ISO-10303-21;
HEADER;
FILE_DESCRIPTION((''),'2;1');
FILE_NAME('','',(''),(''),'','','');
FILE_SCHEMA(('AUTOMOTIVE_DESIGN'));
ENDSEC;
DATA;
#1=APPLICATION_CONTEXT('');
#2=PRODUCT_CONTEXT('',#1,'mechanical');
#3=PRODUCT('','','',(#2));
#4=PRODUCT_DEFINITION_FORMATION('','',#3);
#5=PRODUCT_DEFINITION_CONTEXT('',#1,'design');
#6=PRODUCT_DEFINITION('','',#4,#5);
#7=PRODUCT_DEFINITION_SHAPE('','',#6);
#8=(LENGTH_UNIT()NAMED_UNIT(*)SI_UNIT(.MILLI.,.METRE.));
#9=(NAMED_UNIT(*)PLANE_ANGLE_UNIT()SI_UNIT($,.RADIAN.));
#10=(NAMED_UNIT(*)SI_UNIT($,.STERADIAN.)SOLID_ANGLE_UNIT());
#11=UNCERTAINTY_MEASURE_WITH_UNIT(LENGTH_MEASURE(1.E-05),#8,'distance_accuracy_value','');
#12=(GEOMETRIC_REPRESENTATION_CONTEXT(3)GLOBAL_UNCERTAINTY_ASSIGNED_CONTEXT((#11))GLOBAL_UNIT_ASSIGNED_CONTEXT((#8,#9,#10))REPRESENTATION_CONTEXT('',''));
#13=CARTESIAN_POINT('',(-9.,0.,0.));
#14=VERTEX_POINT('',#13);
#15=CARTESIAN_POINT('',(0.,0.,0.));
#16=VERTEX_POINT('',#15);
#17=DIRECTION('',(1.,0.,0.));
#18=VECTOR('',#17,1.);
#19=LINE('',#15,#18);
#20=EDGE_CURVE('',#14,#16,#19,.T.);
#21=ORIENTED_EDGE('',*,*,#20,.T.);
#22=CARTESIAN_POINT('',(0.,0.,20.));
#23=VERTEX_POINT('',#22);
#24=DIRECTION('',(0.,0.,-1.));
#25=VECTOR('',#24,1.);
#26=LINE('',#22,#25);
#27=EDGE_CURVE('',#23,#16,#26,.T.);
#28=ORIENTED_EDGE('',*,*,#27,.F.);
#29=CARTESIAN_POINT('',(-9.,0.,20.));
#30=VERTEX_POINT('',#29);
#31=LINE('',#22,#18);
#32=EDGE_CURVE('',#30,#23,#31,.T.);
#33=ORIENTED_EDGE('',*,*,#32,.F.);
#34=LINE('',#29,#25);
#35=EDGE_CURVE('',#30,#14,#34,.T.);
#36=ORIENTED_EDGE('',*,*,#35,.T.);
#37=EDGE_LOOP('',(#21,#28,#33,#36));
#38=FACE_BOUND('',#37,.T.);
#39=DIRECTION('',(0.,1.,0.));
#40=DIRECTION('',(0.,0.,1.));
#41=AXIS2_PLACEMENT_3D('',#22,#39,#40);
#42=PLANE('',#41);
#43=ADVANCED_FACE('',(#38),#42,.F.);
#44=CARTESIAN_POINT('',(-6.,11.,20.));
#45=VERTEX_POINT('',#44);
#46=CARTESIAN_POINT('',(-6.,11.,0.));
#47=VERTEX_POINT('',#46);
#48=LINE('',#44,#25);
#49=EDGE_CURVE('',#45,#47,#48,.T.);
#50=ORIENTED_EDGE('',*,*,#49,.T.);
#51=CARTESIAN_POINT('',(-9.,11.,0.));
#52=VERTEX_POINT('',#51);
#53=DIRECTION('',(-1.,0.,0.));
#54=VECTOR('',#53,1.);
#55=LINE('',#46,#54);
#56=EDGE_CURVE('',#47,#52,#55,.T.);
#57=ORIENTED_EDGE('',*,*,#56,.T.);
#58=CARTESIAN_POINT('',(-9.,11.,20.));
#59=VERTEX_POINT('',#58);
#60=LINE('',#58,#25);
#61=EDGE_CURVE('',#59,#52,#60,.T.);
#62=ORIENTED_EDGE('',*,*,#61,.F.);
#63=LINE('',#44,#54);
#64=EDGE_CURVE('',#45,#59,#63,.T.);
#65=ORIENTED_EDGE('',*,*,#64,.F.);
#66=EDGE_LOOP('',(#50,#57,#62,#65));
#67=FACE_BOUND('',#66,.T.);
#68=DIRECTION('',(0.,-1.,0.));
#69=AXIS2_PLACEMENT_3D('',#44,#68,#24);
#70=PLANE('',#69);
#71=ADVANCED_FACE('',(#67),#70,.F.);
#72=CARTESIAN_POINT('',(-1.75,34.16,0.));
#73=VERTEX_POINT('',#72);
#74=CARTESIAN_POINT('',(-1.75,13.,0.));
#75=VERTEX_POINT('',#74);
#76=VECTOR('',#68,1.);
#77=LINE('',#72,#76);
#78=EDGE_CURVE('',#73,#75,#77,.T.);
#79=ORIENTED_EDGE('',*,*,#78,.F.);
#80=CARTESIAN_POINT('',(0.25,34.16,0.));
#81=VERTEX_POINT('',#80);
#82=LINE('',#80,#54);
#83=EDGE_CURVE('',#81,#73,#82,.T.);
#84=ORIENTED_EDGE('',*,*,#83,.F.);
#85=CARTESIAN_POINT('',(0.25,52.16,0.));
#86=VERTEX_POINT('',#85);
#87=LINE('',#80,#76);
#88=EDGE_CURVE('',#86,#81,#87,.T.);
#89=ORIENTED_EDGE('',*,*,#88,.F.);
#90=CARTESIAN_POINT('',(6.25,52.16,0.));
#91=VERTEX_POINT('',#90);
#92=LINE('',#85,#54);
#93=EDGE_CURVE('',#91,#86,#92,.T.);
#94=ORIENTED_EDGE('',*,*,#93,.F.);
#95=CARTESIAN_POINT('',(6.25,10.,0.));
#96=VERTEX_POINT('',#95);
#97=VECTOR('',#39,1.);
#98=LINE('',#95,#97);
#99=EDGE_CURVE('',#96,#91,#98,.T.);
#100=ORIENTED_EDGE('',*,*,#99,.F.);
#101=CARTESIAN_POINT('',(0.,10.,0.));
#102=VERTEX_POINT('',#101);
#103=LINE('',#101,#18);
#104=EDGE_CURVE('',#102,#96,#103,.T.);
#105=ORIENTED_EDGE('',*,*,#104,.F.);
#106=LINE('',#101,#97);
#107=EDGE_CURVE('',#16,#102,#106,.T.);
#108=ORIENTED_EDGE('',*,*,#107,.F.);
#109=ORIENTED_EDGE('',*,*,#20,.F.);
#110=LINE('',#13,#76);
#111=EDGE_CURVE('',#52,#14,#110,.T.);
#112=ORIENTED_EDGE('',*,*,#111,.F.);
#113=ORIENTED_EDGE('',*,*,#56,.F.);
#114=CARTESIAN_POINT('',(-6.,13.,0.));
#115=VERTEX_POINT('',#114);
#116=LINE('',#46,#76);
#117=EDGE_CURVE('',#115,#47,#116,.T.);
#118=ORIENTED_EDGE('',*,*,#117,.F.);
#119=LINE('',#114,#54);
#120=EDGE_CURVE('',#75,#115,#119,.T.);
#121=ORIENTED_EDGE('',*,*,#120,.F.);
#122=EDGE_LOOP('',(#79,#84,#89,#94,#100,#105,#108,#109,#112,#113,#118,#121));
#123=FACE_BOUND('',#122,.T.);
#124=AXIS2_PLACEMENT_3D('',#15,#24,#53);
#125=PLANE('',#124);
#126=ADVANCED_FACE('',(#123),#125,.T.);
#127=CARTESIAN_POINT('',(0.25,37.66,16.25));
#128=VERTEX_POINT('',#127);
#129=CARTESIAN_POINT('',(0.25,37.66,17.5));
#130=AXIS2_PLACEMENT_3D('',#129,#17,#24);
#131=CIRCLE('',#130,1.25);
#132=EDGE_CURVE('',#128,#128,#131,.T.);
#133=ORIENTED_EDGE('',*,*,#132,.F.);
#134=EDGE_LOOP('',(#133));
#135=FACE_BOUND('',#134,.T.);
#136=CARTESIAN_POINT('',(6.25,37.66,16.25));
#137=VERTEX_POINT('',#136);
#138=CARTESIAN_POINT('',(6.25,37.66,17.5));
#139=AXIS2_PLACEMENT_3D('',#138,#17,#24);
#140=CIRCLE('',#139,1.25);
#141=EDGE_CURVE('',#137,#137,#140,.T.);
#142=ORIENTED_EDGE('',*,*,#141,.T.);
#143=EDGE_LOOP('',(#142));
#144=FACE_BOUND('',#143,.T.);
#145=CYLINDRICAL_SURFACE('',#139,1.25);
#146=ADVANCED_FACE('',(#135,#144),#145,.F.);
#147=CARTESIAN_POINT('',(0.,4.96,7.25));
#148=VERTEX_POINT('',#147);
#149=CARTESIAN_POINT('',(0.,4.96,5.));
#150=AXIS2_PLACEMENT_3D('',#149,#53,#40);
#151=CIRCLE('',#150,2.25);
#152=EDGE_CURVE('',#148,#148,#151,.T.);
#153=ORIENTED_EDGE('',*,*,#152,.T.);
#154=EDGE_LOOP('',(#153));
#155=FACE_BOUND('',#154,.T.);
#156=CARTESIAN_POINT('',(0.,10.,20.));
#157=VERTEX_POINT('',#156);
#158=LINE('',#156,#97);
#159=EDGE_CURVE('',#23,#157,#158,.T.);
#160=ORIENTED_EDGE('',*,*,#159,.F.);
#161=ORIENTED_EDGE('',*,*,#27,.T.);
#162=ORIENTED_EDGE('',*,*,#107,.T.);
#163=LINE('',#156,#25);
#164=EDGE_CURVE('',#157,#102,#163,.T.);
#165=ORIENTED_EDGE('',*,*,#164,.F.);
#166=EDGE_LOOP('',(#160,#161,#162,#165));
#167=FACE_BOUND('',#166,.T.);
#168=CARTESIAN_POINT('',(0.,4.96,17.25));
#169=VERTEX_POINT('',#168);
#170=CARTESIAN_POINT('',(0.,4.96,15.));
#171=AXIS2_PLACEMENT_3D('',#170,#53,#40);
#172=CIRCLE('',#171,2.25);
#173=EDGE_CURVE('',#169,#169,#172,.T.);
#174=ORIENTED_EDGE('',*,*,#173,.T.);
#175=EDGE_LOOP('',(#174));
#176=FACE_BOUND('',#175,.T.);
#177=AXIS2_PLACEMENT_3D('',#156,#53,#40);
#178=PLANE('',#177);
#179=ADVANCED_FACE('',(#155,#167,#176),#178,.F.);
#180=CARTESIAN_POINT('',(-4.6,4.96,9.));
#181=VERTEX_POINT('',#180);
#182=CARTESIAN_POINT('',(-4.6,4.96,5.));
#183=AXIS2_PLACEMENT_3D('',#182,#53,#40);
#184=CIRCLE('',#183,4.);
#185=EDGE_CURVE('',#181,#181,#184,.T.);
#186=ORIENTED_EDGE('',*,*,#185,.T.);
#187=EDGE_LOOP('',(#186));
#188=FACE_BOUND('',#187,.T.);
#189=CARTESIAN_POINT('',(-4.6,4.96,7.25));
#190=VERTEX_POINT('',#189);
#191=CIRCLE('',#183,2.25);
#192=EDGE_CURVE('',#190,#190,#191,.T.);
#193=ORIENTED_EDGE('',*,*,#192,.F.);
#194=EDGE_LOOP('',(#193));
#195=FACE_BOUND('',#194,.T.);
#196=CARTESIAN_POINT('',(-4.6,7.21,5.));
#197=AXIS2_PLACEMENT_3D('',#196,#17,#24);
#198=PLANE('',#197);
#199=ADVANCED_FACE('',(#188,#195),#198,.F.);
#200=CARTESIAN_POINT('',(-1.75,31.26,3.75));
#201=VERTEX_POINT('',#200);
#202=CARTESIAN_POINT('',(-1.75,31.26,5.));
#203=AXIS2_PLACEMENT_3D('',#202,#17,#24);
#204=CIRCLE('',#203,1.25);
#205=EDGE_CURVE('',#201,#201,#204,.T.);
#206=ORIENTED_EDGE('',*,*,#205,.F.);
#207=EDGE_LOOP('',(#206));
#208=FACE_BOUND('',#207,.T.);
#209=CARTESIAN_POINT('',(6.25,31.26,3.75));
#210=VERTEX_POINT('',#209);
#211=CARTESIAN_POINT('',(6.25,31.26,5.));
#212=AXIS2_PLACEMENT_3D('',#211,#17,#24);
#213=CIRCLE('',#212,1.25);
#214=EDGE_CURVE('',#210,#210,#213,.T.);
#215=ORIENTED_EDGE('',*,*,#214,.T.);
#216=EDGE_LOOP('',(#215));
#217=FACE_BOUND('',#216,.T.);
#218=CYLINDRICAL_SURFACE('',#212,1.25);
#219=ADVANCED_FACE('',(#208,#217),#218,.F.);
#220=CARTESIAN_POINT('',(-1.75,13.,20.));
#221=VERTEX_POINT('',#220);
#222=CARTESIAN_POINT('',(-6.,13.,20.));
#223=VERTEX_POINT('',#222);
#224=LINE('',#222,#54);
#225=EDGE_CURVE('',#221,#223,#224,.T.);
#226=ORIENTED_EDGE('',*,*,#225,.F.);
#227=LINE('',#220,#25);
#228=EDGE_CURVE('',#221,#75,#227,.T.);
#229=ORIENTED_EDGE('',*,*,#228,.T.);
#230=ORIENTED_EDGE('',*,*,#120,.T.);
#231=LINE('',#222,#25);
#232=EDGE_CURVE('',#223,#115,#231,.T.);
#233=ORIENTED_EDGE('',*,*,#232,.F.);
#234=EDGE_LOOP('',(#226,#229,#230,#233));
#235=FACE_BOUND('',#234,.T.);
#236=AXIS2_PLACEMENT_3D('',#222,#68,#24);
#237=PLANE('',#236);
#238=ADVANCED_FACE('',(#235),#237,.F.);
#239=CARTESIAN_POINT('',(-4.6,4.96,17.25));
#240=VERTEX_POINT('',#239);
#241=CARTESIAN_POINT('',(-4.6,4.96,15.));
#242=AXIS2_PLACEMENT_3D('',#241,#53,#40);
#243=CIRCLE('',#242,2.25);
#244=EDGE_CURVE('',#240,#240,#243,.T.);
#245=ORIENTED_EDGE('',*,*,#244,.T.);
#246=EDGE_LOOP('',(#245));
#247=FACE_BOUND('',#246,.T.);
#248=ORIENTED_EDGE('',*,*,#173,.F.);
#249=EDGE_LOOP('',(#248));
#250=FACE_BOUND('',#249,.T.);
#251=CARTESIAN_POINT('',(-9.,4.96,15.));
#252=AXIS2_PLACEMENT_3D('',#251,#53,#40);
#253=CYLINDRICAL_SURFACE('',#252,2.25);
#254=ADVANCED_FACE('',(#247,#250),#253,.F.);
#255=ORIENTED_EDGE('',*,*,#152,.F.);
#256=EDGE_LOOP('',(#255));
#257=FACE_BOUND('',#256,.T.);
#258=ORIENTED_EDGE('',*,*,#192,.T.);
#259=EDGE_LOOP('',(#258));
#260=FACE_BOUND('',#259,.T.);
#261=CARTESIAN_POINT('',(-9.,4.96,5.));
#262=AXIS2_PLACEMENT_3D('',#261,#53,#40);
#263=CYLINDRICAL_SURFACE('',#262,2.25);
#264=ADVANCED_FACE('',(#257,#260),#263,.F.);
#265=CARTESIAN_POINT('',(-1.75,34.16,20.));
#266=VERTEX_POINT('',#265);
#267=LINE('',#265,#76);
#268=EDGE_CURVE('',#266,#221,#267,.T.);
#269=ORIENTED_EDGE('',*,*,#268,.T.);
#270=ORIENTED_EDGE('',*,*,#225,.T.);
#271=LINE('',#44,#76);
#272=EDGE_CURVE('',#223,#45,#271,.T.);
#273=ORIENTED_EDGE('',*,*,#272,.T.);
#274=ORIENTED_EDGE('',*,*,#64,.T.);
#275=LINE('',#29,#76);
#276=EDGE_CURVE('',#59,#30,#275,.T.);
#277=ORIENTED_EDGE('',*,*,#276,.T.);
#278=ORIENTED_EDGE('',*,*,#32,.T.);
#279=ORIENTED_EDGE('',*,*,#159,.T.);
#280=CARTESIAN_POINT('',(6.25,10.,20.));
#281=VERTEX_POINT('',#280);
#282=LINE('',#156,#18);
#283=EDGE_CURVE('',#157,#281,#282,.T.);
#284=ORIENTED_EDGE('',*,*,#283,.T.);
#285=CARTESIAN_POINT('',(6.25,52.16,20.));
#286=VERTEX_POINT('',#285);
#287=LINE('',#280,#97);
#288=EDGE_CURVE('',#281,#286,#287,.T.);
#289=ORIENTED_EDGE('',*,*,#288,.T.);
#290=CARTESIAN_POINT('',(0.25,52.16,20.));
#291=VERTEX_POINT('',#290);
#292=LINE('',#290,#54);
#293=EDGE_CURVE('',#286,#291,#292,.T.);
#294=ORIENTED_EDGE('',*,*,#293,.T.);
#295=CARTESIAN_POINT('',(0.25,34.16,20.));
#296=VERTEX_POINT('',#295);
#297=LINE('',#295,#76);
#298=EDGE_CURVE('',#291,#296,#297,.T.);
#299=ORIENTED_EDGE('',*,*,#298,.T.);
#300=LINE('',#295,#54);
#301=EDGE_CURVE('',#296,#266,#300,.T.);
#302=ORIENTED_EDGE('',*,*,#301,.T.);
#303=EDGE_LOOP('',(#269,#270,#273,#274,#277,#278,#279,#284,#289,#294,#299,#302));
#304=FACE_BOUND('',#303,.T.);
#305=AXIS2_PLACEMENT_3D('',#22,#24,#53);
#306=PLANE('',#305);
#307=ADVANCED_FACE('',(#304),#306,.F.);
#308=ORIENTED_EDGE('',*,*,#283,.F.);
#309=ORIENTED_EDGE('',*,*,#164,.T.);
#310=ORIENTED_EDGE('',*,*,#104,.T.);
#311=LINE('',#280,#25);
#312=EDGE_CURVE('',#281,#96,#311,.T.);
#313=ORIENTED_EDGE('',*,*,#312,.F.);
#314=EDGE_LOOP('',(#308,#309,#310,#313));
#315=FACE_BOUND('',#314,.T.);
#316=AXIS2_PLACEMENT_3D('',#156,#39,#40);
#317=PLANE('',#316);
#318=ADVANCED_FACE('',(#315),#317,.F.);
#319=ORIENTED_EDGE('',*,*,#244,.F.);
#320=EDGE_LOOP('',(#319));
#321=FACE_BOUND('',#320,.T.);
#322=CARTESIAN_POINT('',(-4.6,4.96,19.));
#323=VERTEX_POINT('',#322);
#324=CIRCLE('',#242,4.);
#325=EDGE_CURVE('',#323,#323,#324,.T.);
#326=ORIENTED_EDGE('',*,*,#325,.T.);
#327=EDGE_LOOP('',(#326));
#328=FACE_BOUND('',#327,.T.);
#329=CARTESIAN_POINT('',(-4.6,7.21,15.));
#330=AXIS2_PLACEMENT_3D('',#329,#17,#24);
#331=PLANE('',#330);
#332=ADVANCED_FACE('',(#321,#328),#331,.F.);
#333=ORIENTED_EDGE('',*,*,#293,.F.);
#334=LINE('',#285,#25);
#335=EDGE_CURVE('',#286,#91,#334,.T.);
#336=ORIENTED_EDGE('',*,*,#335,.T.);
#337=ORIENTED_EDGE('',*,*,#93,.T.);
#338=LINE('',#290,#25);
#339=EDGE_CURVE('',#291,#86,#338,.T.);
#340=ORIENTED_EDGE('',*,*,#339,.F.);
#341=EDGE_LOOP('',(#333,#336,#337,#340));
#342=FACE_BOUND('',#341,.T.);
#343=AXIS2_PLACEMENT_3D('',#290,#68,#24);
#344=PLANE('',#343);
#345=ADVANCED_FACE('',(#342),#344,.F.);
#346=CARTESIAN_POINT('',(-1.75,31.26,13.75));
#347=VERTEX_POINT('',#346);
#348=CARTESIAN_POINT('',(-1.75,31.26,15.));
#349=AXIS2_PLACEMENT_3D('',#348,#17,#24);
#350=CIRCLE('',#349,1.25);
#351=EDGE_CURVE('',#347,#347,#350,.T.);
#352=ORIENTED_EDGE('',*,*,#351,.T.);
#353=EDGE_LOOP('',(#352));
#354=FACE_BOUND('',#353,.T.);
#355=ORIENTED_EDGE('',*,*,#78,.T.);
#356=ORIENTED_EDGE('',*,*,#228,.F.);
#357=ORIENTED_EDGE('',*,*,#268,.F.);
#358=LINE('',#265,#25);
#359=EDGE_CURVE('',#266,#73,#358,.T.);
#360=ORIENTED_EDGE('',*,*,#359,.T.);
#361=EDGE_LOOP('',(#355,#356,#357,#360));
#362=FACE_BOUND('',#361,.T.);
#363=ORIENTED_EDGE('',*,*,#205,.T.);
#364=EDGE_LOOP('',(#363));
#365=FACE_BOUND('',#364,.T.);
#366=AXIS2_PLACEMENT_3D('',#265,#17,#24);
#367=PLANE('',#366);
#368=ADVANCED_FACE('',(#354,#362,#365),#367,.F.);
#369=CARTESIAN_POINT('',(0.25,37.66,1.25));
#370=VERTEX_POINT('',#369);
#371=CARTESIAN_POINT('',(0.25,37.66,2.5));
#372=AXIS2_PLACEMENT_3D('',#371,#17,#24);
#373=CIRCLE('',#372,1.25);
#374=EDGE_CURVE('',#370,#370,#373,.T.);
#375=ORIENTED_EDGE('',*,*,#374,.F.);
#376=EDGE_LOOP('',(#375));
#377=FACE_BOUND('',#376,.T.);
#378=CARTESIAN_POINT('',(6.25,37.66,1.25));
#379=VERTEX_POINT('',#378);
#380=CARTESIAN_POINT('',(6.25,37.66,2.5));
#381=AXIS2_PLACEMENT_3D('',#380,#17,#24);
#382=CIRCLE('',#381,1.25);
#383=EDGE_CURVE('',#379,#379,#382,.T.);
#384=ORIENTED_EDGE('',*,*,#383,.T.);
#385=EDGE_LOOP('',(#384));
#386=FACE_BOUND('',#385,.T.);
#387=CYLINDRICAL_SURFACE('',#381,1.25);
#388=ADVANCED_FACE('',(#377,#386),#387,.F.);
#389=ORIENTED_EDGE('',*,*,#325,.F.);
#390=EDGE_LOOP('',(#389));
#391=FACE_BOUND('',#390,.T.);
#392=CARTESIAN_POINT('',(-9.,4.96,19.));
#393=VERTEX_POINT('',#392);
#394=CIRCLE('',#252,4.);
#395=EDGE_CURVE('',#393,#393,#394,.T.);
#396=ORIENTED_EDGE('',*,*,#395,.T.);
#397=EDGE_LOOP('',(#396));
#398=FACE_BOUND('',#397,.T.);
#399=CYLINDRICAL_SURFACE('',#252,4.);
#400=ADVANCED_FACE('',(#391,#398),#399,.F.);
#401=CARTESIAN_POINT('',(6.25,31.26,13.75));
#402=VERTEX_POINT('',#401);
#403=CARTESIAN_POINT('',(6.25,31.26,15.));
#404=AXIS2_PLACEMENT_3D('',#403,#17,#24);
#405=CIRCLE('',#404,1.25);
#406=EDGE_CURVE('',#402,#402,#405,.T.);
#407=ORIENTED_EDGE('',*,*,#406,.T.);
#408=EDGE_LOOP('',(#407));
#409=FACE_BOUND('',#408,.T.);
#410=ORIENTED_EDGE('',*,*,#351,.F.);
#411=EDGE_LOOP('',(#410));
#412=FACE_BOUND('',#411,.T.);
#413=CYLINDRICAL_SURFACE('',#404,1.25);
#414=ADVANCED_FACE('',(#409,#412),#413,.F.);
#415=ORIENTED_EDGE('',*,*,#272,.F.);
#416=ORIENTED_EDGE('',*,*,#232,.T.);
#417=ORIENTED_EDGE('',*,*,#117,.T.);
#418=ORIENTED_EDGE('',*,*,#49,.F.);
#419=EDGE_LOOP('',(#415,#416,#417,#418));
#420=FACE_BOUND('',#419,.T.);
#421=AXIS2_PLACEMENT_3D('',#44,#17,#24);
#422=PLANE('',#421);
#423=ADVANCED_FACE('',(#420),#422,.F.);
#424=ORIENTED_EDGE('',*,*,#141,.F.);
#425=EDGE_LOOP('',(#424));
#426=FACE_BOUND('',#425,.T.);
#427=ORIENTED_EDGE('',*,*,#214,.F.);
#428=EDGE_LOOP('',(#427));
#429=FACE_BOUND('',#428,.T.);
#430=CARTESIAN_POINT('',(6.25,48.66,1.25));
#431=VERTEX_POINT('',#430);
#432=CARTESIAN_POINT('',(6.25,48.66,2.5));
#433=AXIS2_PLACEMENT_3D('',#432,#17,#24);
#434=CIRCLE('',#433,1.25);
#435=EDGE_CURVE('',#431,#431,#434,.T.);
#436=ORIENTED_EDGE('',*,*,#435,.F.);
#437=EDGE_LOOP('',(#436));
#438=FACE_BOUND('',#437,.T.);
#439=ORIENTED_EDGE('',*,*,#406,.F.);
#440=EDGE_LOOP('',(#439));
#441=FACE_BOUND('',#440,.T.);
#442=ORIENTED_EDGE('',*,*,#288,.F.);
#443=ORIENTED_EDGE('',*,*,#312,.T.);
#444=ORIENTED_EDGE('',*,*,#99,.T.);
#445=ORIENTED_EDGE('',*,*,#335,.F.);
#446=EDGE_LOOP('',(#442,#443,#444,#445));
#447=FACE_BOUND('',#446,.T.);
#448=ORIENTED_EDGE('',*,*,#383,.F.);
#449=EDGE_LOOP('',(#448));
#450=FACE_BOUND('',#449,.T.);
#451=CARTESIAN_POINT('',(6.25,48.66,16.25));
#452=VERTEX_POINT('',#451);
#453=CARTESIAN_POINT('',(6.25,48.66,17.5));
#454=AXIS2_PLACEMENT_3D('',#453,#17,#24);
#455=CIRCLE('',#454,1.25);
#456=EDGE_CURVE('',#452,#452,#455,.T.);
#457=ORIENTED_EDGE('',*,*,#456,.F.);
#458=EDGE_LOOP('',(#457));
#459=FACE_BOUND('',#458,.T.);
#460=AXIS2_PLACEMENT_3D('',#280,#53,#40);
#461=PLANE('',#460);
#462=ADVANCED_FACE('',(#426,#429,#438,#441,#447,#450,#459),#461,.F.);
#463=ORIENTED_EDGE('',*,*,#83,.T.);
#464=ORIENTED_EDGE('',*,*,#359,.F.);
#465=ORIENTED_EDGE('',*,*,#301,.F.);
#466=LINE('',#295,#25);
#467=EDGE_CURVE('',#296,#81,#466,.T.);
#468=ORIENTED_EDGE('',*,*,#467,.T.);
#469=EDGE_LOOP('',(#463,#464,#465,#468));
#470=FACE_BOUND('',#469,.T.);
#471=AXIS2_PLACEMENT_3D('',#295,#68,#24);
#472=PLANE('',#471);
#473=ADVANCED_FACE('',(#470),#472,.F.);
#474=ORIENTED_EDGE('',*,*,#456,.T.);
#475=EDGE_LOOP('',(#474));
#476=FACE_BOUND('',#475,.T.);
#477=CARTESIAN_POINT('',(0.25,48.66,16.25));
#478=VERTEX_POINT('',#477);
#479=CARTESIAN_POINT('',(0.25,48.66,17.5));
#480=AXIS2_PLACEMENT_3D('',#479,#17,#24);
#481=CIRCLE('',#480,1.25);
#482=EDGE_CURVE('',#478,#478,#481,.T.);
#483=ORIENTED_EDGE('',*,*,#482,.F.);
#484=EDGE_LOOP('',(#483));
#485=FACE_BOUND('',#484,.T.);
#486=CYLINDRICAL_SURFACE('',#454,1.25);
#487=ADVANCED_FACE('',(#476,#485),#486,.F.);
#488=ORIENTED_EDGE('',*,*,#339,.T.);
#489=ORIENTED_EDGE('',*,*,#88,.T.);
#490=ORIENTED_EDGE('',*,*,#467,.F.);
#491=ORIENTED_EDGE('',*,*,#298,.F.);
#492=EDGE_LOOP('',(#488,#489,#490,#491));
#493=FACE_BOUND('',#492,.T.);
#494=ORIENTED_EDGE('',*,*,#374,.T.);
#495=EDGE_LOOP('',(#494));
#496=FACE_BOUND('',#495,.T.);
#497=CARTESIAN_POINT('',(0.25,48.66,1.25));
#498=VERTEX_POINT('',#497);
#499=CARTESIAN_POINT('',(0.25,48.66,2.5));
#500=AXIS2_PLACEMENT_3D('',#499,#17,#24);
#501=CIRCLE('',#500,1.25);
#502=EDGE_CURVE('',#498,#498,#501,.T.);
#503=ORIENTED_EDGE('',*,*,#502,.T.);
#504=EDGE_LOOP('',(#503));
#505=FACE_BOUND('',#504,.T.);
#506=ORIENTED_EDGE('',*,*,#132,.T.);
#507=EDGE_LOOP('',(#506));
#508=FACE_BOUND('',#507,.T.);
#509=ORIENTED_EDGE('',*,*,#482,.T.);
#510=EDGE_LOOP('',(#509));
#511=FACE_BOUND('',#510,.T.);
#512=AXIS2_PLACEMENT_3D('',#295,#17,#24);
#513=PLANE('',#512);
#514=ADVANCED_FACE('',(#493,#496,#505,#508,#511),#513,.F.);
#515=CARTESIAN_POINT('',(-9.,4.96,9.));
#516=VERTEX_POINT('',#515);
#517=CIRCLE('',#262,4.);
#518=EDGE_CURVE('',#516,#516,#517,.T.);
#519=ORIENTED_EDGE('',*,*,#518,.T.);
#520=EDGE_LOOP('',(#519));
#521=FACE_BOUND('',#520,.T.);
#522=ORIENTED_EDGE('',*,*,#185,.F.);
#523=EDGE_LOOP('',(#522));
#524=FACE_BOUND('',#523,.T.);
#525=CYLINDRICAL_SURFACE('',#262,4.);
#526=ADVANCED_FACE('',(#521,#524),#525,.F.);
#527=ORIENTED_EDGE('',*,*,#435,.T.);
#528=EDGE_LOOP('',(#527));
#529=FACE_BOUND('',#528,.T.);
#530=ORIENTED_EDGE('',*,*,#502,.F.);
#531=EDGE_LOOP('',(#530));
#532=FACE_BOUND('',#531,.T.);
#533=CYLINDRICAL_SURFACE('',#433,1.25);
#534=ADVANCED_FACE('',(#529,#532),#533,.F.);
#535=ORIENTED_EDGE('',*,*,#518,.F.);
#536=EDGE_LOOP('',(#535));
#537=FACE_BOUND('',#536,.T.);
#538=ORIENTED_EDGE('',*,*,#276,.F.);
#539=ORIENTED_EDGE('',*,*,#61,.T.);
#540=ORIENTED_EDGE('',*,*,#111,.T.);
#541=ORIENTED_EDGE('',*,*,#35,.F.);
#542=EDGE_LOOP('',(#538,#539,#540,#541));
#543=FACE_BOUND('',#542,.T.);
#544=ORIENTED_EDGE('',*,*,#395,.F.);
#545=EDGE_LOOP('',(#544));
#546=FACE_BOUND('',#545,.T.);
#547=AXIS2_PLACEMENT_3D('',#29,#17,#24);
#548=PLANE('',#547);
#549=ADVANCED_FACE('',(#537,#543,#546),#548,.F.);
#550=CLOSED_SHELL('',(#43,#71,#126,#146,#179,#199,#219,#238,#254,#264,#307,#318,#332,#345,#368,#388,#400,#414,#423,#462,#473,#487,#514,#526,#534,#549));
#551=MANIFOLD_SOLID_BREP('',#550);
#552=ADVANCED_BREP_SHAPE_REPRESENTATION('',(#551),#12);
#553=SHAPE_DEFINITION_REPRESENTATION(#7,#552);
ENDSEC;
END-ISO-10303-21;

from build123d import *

# Parameters (mm, degrees)
EXTRUDE_1_DEPTH              = 20
HOLE_WIZARD_M3_1_D           = 2.5
HOLE_WIZARD_M3_1_DEPTH       = 9.5
HOLE_WIZARD_M3_1_TIP         = 0.751075774
HOLE_WIZARD_M4_1_D           = 4.5
HOLE_WIZARD_M4_1_DEPTH       = 9.5
HOLE_WIZARD_M4_1_CBORE_D     = 8
HOLE_WIZARD_M4_1_CBORE_DEPTH = 4.4
HOLE_WIZARD_M4_1_TIP         = 1.351936393


with BuildPart() as part:
    # 草图1 → 凸台-拉伸1 (new body)
    with BuildSketch(Plane.XY):
        Polygon((-6, 13), (-1.75, 13), (-1.75, 34.16), (0.25, 34.16), (0.25, 52.16), (6.25, 52.16), (6.25, 10), (0, 10), (0, 0), (-9, 0), (-9, 11), (-6, 11), align=None)
    extrude(amount=EXTRUDE_1_DEPTH)

    # M3 螺纹孔1
    with Locations(Plane(origin=(6.25, 0, 0), x_dir=(0, 0, -1), z_dir=(1, 0, 0))):
        with Locations((-2.5, 48.66), (-2.5, 37.66), (-5, 31.26), (-15, 31.26), (-17.5, 37.66), (-17.5, 48.66)):
            Hole(HOLE_WIZARD_M3_1_D / 2, depth=HOLE_WIZARD_M3_1_DEPTH)
            with Locations((0, 0, -(HOLE_WIZARD_M3_1_DEPTH + HOLE_WIZARD_M3_1_TIP / 2))):  # 118° drill point
                Cone(0, HOLE_WIZARD_M3_1_D / 2, HOLE_WIZARD_M3_1_TIP, mode=Mode.SUBTRACT)

    # M4 六角凹头螺钉的柱形沉头孔1
    with Locations(Plane.ZY.offset(9)):
        with Locations((5, 4.96), (15, 4.96)):
            CounterBoreHole(HOLE_WIZARD_M4_1_D / 2, HOLE_WIZARD_M4_1_CBORE_D / 2, HOLE_WIZARD_M4_1_CBORE_DEPTH, depth=HOLE_WIZARD_M4_1_DEPTH)
            with Locations((0, 0, -(HOLE_WIZARD_M4_1_DEPTH + HOLE_WIZARD_M4_1_TIP / 2))):  # 118° drill point
                Cone(0, HOLE_WIZARD_M4_1_D / 2, HOLE_WIZARD_M4_1_TIP, mode=Mode.SUBTRACT)


solid = part.part
